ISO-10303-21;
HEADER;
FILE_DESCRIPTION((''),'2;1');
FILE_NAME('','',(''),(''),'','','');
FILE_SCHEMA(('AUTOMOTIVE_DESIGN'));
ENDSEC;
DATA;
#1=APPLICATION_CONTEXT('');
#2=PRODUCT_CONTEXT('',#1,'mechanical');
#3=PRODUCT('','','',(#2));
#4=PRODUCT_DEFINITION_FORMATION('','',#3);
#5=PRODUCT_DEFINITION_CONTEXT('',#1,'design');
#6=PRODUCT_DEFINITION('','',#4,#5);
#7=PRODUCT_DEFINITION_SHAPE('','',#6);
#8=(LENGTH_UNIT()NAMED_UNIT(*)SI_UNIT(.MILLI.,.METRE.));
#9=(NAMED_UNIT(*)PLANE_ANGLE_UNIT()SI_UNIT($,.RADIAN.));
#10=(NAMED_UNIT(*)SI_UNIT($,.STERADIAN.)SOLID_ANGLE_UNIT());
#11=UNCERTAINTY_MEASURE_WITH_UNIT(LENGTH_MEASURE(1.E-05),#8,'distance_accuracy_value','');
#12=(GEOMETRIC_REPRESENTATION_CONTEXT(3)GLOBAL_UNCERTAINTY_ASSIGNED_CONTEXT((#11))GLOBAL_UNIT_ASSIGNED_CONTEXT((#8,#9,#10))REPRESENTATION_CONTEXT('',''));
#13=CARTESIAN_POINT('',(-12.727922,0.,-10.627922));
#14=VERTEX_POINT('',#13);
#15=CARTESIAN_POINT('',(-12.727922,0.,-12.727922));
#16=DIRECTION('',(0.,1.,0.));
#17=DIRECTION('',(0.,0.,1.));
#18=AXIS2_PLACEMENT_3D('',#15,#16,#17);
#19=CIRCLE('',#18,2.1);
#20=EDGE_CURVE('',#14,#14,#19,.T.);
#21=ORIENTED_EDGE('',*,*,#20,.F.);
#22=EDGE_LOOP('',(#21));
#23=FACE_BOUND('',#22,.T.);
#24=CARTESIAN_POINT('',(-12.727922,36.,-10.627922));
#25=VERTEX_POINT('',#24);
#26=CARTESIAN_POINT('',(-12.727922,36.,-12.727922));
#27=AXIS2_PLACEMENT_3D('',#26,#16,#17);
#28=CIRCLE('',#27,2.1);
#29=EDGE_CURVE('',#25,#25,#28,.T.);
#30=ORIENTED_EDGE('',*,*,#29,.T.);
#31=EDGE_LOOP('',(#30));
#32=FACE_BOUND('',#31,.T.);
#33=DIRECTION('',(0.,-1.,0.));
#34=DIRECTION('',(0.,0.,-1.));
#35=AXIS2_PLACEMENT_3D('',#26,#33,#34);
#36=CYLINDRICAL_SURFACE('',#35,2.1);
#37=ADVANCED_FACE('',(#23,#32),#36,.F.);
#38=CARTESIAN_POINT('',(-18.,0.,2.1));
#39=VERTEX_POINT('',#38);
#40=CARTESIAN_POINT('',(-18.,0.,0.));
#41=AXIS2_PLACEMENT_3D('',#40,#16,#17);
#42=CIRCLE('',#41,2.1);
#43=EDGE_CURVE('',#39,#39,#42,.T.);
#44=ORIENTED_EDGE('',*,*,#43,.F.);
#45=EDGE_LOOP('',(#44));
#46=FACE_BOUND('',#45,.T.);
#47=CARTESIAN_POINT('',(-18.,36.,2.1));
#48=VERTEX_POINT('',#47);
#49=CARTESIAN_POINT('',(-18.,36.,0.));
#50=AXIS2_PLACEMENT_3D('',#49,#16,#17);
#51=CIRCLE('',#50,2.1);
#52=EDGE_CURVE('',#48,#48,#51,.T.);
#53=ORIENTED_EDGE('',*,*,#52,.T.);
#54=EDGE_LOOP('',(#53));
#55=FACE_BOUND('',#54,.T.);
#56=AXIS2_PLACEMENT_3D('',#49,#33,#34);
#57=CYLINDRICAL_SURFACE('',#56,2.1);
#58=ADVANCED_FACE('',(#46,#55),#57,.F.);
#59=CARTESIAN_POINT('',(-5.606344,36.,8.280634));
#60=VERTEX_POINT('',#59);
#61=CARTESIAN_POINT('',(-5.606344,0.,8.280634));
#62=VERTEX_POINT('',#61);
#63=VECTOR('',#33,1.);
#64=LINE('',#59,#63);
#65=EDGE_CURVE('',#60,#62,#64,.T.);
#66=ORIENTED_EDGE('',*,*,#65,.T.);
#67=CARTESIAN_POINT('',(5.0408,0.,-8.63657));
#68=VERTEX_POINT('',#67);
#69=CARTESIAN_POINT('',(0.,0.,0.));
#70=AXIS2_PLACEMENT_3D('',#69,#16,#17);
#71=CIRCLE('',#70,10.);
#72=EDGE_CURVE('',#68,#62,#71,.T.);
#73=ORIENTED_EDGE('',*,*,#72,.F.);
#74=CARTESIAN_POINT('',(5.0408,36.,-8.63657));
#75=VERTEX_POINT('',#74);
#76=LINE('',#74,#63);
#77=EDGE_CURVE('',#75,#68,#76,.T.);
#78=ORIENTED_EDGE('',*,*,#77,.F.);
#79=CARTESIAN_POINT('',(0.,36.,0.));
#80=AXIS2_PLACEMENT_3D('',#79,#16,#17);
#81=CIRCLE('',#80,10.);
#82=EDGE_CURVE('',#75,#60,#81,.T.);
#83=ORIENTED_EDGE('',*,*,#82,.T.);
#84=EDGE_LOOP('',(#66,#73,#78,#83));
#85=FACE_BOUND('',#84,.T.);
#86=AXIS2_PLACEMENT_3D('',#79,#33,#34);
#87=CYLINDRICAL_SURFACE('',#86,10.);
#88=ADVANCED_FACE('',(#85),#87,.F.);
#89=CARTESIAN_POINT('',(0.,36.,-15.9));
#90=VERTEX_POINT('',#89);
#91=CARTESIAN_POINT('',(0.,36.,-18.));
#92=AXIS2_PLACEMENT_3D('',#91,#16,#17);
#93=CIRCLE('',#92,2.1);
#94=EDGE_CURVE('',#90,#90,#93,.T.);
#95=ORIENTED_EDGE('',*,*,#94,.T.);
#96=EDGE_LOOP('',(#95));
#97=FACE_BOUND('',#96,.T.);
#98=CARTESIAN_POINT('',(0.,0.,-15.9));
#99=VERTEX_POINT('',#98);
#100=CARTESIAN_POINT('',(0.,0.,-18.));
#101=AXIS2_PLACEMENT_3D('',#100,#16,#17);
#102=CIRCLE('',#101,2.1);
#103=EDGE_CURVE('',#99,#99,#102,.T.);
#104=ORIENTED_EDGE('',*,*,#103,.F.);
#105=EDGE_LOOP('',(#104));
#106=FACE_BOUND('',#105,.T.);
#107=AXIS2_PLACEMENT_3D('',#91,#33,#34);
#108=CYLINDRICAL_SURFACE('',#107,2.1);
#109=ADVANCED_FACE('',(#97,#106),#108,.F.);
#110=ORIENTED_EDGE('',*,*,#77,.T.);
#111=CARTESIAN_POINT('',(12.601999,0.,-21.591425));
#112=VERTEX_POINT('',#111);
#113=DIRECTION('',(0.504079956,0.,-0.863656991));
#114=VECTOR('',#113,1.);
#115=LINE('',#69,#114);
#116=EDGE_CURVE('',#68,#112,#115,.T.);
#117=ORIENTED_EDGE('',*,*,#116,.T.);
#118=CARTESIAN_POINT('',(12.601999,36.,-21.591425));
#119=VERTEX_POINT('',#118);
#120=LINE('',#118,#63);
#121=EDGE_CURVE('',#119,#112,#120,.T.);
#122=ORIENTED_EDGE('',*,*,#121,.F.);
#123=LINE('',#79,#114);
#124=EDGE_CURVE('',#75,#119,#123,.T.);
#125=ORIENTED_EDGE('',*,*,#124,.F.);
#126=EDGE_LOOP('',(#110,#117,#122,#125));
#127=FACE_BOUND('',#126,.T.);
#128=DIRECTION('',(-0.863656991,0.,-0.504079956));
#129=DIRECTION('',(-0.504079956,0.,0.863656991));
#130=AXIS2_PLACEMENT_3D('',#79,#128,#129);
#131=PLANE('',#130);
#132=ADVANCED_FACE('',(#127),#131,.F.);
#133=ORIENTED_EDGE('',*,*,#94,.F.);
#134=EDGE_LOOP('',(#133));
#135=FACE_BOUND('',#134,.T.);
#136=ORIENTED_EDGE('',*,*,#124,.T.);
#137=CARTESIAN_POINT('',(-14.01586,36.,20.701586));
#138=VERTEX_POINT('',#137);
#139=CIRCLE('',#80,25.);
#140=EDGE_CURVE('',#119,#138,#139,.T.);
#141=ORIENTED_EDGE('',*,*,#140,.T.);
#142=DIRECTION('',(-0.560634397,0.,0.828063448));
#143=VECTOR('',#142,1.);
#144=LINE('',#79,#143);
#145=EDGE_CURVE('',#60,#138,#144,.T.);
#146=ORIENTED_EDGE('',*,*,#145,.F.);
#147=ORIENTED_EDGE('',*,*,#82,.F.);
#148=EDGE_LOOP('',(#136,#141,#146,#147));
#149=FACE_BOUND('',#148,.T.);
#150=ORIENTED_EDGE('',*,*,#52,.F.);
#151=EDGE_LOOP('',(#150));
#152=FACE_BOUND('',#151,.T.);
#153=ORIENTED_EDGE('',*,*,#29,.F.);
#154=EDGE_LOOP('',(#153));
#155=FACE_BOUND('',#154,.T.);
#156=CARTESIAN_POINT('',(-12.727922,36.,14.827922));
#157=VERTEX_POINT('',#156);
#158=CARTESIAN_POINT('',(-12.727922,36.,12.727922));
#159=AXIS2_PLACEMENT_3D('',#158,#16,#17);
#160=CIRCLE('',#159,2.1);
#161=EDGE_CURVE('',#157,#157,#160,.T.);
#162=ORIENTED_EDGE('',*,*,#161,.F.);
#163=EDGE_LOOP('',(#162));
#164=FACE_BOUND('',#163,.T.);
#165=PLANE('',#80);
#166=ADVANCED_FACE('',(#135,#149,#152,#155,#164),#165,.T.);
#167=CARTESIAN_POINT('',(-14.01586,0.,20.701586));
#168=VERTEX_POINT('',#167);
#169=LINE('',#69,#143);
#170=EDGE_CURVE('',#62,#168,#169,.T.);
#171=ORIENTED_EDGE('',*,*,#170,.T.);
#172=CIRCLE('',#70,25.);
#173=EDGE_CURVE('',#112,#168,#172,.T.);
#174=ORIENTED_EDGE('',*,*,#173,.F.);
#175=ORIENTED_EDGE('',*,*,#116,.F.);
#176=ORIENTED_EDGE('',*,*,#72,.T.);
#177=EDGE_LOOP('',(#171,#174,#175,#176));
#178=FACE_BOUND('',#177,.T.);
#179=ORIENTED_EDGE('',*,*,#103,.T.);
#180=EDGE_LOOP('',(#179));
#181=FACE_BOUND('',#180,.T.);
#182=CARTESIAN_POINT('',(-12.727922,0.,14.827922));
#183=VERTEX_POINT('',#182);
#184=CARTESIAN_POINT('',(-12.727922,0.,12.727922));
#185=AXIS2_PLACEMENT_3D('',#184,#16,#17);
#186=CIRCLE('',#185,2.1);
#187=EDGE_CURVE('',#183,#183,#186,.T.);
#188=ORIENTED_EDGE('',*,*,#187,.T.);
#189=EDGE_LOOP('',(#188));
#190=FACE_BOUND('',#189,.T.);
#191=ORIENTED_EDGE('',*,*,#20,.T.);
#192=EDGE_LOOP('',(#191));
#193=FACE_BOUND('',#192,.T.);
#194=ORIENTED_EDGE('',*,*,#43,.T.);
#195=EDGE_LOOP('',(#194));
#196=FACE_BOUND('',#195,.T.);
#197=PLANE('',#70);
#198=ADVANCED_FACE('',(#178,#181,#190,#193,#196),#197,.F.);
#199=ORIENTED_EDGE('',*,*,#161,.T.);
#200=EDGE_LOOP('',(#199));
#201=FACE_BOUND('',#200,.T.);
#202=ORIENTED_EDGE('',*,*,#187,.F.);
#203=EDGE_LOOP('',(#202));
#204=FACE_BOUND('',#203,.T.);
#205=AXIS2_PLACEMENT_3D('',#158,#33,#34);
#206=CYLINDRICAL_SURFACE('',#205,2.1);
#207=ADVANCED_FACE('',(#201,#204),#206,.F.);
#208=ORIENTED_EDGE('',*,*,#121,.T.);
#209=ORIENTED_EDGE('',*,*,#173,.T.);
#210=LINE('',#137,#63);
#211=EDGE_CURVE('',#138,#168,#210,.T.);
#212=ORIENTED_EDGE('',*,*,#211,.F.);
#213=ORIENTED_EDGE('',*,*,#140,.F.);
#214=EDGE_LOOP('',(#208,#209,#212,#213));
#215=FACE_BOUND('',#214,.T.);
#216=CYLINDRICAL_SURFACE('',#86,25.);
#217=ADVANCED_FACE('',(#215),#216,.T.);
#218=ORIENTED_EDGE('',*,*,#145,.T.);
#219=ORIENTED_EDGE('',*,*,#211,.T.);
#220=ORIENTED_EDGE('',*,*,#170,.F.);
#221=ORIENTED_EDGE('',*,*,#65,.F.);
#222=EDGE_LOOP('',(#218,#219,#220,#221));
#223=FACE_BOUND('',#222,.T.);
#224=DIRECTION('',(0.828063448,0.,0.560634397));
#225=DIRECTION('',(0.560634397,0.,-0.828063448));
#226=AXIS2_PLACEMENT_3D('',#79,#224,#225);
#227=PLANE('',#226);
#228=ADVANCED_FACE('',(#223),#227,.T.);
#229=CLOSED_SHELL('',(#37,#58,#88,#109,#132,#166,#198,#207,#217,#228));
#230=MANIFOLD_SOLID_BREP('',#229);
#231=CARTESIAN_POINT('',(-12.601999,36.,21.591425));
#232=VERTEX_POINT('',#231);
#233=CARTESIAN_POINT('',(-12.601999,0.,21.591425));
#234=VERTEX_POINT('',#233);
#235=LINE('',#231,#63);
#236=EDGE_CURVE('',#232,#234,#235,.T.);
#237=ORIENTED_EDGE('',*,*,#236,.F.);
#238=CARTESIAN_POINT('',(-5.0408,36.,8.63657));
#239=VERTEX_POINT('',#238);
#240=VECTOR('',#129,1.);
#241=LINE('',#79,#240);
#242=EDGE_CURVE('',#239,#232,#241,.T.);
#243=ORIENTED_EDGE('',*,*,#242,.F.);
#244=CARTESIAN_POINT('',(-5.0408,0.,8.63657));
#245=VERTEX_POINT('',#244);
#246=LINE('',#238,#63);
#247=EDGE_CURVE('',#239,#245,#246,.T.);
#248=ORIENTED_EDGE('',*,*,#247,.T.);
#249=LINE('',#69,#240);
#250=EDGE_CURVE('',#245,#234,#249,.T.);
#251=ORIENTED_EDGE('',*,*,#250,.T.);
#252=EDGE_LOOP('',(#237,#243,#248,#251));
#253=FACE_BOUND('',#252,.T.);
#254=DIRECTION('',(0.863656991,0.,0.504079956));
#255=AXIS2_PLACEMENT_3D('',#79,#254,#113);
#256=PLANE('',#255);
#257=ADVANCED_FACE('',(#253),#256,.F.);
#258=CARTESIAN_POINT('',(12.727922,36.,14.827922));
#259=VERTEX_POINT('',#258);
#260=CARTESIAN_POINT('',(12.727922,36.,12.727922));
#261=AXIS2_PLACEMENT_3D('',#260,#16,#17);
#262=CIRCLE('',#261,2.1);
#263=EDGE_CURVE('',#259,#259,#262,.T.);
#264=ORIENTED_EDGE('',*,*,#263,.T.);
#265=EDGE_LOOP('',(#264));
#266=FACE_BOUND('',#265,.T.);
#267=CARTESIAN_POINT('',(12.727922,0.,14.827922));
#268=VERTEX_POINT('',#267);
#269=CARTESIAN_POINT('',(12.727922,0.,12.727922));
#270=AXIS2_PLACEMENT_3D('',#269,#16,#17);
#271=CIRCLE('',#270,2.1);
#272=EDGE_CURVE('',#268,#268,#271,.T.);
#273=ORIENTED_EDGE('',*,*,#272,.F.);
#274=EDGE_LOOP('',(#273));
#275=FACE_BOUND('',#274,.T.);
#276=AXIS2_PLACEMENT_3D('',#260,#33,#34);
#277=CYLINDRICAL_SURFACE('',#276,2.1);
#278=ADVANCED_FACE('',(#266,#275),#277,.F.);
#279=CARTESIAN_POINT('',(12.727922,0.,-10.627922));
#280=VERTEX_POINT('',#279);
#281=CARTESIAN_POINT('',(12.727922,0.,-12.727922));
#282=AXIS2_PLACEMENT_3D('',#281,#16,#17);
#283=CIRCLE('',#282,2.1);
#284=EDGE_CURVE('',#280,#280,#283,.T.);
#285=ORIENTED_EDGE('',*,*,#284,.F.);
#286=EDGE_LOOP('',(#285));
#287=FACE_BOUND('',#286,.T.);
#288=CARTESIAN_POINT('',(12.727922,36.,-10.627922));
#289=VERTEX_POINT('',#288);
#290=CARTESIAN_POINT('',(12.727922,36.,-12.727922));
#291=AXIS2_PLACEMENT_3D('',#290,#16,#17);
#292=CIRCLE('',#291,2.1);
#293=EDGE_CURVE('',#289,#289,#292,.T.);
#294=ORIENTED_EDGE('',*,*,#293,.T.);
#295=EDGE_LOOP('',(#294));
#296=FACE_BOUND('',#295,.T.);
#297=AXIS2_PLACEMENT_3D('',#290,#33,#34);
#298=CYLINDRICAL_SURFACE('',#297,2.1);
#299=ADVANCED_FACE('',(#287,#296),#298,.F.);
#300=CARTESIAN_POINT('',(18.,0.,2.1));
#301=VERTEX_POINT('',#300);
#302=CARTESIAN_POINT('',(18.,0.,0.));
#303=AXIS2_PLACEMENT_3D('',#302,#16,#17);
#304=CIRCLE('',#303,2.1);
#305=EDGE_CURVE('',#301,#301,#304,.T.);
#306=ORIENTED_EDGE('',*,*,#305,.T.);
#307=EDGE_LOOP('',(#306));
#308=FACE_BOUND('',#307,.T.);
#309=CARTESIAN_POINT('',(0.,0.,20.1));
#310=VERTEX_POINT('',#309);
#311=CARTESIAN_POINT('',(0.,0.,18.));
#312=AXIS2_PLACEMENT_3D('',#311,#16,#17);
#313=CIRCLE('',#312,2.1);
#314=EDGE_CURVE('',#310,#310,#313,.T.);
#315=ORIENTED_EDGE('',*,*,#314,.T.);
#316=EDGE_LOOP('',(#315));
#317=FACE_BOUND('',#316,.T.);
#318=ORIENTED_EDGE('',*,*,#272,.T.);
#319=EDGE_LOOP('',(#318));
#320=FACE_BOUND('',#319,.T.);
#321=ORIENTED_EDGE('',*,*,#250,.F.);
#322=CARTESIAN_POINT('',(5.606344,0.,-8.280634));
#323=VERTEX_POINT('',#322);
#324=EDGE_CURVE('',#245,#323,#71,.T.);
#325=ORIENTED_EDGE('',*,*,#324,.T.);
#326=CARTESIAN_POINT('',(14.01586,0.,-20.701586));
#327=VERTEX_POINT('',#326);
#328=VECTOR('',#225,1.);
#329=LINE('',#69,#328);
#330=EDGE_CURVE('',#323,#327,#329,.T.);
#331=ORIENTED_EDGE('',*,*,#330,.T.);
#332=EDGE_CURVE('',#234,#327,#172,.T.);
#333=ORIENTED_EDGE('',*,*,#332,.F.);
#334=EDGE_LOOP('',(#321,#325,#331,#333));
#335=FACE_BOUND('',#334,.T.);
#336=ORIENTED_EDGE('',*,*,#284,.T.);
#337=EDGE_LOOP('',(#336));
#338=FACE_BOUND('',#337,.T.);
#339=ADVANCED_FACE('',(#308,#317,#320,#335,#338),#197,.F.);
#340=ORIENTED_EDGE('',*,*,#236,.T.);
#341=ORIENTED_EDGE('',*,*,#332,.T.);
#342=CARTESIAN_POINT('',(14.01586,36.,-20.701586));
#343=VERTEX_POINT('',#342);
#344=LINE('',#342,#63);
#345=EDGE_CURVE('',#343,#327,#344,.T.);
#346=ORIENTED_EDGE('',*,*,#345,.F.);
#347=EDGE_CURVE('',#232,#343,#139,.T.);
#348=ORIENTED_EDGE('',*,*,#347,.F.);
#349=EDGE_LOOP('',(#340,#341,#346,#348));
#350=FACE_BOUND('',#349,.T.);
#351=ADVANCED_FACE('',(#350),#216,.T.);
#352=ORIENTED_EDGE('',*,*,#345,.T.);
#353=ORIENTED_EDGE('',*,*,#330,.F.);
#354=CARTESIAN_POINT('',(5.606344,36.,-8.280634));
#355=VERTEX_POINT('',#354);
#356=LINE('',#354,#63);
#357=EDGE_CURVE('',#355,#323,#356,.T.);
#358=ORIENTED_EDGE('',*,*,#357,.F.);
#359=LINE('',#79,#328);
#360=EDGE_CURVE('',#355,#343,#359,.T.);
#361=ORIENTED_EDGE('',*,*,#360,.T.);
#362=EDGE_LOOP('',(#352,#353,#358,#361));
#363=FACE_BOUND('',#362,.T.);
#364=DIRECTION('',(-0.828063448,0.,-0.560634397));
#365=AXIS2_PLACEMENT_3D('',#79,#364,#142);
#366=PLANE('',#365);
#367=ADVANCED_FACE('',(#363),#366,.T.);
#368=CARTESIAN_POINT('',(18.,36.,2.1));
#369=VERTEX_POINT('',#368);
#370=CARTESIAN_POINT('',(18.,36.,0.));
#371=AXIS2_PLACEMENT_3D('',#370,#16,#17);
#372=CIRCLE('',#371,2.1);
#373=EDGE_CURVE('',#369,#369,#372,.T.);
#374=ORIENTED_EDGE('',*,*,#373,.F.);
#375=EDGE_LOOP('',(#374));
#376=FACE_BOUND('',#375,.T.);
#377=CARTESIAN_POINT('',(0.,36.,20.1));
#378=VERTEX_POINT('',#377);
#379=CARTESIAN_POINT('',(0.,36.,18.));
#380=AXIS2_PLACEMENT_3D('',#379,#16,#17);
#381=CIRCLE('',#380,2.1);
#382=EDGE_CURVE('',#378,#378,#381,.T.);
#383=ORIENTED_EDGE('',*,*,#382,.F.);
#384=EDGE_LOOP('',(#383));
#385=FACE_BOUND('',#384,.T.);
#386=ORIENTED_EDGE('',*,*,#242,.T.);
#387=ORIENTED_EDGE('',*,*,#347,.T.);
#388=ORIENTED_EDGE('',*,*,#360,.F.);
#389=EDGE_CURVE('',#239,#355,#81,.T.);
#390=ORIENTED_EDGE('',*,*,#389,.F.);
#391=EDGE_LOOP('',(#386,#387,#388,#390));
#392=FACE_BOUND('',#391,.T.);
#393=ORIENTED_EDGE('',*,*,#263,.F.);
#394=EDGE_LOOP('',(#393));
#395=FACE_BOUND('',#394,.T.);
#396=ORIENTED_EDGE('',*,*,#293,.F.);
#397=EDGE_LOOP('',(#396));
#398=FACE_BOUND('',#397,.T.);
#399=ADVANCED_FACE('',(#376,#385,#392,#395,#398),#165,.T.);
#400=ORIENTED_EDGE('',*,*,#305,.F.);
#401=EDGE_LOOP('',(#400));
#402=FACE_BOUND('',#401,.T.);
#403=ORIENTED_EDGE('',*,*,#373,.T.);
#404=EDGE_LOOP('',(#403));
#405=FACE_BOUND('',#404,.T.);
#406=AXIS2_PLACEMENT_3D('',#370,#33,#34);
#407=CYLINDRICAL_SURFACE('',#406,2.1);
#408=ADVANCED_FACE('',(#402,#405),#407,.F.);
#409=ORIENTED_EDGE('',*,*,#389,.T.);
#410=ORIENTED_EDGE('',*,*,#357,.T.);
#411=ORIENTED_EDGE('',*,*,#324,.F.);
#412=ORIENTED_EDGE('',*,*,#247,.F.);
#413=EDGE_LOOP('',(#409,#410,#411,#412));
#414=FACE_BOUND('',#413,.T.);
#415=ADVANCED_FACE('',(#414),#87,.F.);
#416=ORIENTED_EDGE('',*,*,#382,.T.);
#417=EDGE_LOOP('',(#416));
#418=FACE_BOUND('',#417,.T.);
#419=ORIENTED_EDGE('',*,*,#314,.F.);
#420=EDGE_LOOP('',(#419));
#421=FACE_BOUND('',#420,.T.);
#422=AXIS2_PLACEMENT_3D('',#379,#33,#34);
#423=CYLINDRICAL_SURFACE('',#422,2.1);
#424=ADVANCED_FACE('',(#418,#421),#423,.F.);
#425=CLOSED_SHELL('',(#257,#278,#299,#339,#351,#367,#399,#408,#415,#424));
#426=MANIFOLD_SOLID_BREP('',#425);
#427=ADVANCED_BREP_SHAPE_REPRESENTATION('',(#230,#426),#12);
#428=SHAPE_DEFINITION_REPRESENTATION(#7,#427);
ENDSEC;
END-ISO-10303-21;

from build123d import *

# Parameters (mm, degrees)
SKETCH_1_R        = 2.1
EXTRUDE_1_DEPTH   = 36
EXTRUDE_1_2_DEPTH = 36


with BuildPart() as part:
    # Эскиз1 → Бобышка-Вытянуть1 (new body)
    with BuildSketch(Plane(origin=(0, 0, 0), x_dir=(1, 0, 0), z_dir=(0, 1, 0))):
        with BuildLine():
            Line((-14.015859913, -20.701586193), (-5.606343965, -8.280634477))
            ThreePointArc((-5.606343965, -8.280634477), (-8.46332743, 5.326545673), (5.040799558, 8.63656991))
            Line((5.040799558, 8.63656991), (12.601998896, 21.591424775))
            ThreePointArc((12.601998896, 21.591424775), (-21.158318575, 13.316364183), (-14.015859913, -20.701586193))
        make_face()
        with Locations(Location((-12.727922061, -12.727922061, 0), (0, 0, 270))):
            Circle(SKETCH_1_R, mode=Mode.SUBTRACT)
        with Locations(Location((-18, 0, 0), (0, 0, 270))):
            Circle(SKETCH_1_R, mode=Mode.SUBTRACT)
        with Locations(Location((-12.727922061, 12.727922061, 0), (0, 0, 270))):
            Circle(SKETCH_1_R, mode=Mode.SUBTRACT)
        with Locations(Location((0, 18, 0), (0, 0, 270))):
            Circle(SKETCH_1_R, mode=Mode.SUBTRACT)
    extrude(amount=EXTRUDE_1_DEPTH)


with BuildPart() as body_2:
    # Эскиз1 → Extrude 1 2 (new body)
    with BuildSketch(Plane(origin=(0, 0, 0), x_dir=(1, 0, 0), z_dir=(0, 1, 0))):
        with BuildLine():
            ThreePointArc((10, 0), (4.979558435, -8.672023858), (-5.040799558, -8.63656991))
            Line((-5.040799558, -8.63656991), (-12.601998896, -21.591424775))
            ThreePointArc((-12.601998896, -21.591424775), (12.448896088, -21.680059645), (25, 0))
            ThreePointArc((25, 0), (22.083891163, 11.717582988), (14.015859913, 20.701586193))
            Line((14.015859913, 20.701586193), (5.606343965, 8.280634477))
            ThreePointArc((5.606343965, 8.280634477), (8.833556465, 4.687033195), (10, 0))
        make_face()
        with Locations(Location((0, -18, 0), (0, 0, 270))):
            Circle(SKETCH_1_R, mode=Mode.SUBTRACT)
        with Locations(Location((12.727922061, -12.727922061, 0), (0, 0, 270))):
            Circle(SKETCH_1_R, mode=Mode.SUBTRACT)
        with Locations(Location((18, 0, 0), (0, 0, 270))):
            Circle(SKETCH_1_R, mode=Mode.SUBTRACT)
        with Locations(Location((12.727922061, 12.727922061, 0), (0, 0, 270))):
            Circle(SKETCH_1_R, mode=Mode.SUBTRACT)
    extrude(amount=EXTRUDE_1_2_DEPTH)


solid = Compound([part.part, body_2.part])
